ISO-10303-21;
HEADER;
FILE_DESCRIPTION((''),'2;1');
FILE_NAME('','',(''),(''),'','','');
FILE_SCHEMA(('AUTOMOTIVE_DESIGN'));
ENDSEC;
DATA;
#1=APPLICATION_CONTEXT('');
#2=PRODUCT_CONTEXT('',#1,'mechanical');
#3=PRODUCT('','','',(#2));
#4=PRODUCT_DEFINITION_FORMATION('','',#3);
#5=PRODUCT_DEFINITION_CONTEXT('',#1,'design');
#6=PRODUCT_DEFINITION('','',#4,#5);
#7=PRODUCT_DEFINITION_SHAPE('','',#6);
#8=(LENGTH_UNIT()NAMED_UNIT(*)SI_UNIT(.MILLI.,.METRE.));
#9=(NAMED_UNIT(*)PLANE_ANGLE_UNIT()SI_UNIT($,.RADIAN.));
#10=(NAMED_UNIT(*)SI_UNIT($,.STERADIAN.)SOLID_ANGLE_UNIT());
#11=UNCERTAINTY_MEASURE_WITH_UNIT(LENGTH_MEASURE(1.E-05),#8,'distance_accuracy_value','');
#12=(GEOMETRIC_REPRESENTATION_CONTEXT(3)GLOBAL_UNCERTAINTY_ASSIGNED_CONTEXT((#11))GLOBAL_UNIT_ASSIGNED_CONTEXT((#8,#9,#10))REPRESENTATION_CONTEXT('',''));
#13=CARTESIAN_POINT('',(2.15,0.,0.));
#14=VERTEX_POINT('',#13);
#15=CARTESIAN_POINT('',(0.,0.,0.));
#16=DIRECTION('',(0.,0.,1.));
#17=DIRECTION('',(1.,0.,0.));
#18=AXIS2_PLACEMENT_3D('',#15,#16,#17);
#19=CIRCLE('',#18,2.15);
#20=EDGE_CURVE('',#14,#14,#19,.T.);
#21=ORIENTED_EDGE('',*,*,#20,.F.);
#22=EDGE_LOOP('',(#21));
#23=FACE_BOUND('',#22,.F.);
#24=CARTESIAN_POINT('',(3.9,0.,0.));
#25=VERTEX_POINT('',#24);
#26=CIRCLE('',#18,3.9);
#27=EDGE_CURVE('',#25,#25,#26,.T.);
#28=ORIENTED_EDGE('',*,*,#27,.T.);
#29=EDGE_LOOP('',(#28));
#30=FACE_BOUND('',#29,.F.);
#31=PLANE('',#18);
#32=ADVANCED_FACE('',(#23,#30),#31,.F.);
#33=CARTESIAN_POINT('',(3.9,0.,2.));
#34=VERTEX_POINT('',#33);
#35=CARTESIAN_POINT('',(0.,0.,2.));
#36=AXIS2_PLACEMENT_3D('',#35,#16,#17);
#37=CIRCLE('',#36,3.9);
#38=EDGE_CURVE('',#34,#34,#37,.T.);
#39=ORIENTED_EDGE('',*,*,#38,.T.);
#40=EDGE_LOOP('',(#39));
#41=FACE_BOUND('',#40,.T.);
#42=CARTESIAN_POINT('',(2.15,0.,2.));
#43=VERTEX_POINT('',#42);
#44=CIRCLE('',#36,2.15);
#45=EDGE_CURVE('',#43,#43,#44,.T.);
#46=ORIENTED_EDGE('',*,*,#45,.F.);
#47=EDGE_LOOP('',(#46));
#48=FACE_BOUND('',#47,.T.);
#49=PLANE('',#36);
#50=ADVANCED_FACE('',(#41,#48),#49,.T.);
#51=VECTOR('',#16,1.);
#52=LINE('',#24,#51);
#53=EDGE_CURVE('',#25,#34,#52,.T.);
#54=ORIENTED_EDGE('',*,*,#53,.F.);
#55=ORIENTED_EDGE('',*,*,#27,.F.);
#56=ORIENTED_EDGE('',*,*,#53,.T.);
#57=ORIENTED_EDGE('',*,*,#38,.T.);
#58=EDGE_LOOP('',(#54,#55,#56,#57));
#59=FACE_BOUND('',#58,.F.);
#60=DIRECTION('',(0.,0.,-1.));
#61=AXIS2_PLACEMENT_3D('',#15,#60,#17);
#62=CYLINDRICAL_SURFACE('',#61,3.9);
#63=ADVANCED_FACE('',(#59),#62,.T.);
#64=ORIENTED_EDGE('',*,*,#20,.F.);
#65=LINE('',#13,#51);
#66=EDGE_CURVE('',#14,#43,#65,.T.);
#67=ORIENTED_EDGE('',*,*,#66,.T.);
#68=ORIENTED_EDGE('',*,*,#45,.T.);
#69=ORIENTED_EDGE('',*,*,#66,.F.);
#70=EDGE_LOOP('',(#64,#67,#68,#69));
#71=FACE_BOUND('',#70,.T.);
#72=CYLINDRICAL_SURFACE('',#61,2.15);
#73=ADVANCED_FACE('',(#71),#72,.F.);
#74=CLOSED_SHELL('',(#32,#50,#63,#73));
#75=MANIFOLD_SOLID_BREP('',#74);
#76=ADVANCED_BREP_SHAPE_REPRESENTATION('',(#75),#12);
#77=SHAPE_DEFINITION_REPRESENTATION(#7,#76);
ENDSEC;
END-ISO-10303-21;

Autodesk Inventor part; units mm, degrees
ref_plane "YZ Plane" through (0, 0, 0) normal (1, 0, 0) x (0, 1, 0)
ref_plane "XZ Plane" through (0, 0, 0) normal (0, 1, 0) x (-1, 0, 0)
ref_plane "XY Plane" through (0, 0, 0) normal (0, 0, 1) x (1, 0, 0)
sketch "Szkic1" plane through (0, 0, 0) normal (0, 0, 1) x (1, 0, 0)
  circle A0 centre (0, 0) radius 2.15
  circle A1 centre (0, 0) radius 3.9
  dimension "d0" = 4.3
  dimension "d4" = 7.8
extrude "Wyciągnięcie proste1" add sketch "Szkic1" along normal blind 2
properties part number "TulejaKołoV2"
